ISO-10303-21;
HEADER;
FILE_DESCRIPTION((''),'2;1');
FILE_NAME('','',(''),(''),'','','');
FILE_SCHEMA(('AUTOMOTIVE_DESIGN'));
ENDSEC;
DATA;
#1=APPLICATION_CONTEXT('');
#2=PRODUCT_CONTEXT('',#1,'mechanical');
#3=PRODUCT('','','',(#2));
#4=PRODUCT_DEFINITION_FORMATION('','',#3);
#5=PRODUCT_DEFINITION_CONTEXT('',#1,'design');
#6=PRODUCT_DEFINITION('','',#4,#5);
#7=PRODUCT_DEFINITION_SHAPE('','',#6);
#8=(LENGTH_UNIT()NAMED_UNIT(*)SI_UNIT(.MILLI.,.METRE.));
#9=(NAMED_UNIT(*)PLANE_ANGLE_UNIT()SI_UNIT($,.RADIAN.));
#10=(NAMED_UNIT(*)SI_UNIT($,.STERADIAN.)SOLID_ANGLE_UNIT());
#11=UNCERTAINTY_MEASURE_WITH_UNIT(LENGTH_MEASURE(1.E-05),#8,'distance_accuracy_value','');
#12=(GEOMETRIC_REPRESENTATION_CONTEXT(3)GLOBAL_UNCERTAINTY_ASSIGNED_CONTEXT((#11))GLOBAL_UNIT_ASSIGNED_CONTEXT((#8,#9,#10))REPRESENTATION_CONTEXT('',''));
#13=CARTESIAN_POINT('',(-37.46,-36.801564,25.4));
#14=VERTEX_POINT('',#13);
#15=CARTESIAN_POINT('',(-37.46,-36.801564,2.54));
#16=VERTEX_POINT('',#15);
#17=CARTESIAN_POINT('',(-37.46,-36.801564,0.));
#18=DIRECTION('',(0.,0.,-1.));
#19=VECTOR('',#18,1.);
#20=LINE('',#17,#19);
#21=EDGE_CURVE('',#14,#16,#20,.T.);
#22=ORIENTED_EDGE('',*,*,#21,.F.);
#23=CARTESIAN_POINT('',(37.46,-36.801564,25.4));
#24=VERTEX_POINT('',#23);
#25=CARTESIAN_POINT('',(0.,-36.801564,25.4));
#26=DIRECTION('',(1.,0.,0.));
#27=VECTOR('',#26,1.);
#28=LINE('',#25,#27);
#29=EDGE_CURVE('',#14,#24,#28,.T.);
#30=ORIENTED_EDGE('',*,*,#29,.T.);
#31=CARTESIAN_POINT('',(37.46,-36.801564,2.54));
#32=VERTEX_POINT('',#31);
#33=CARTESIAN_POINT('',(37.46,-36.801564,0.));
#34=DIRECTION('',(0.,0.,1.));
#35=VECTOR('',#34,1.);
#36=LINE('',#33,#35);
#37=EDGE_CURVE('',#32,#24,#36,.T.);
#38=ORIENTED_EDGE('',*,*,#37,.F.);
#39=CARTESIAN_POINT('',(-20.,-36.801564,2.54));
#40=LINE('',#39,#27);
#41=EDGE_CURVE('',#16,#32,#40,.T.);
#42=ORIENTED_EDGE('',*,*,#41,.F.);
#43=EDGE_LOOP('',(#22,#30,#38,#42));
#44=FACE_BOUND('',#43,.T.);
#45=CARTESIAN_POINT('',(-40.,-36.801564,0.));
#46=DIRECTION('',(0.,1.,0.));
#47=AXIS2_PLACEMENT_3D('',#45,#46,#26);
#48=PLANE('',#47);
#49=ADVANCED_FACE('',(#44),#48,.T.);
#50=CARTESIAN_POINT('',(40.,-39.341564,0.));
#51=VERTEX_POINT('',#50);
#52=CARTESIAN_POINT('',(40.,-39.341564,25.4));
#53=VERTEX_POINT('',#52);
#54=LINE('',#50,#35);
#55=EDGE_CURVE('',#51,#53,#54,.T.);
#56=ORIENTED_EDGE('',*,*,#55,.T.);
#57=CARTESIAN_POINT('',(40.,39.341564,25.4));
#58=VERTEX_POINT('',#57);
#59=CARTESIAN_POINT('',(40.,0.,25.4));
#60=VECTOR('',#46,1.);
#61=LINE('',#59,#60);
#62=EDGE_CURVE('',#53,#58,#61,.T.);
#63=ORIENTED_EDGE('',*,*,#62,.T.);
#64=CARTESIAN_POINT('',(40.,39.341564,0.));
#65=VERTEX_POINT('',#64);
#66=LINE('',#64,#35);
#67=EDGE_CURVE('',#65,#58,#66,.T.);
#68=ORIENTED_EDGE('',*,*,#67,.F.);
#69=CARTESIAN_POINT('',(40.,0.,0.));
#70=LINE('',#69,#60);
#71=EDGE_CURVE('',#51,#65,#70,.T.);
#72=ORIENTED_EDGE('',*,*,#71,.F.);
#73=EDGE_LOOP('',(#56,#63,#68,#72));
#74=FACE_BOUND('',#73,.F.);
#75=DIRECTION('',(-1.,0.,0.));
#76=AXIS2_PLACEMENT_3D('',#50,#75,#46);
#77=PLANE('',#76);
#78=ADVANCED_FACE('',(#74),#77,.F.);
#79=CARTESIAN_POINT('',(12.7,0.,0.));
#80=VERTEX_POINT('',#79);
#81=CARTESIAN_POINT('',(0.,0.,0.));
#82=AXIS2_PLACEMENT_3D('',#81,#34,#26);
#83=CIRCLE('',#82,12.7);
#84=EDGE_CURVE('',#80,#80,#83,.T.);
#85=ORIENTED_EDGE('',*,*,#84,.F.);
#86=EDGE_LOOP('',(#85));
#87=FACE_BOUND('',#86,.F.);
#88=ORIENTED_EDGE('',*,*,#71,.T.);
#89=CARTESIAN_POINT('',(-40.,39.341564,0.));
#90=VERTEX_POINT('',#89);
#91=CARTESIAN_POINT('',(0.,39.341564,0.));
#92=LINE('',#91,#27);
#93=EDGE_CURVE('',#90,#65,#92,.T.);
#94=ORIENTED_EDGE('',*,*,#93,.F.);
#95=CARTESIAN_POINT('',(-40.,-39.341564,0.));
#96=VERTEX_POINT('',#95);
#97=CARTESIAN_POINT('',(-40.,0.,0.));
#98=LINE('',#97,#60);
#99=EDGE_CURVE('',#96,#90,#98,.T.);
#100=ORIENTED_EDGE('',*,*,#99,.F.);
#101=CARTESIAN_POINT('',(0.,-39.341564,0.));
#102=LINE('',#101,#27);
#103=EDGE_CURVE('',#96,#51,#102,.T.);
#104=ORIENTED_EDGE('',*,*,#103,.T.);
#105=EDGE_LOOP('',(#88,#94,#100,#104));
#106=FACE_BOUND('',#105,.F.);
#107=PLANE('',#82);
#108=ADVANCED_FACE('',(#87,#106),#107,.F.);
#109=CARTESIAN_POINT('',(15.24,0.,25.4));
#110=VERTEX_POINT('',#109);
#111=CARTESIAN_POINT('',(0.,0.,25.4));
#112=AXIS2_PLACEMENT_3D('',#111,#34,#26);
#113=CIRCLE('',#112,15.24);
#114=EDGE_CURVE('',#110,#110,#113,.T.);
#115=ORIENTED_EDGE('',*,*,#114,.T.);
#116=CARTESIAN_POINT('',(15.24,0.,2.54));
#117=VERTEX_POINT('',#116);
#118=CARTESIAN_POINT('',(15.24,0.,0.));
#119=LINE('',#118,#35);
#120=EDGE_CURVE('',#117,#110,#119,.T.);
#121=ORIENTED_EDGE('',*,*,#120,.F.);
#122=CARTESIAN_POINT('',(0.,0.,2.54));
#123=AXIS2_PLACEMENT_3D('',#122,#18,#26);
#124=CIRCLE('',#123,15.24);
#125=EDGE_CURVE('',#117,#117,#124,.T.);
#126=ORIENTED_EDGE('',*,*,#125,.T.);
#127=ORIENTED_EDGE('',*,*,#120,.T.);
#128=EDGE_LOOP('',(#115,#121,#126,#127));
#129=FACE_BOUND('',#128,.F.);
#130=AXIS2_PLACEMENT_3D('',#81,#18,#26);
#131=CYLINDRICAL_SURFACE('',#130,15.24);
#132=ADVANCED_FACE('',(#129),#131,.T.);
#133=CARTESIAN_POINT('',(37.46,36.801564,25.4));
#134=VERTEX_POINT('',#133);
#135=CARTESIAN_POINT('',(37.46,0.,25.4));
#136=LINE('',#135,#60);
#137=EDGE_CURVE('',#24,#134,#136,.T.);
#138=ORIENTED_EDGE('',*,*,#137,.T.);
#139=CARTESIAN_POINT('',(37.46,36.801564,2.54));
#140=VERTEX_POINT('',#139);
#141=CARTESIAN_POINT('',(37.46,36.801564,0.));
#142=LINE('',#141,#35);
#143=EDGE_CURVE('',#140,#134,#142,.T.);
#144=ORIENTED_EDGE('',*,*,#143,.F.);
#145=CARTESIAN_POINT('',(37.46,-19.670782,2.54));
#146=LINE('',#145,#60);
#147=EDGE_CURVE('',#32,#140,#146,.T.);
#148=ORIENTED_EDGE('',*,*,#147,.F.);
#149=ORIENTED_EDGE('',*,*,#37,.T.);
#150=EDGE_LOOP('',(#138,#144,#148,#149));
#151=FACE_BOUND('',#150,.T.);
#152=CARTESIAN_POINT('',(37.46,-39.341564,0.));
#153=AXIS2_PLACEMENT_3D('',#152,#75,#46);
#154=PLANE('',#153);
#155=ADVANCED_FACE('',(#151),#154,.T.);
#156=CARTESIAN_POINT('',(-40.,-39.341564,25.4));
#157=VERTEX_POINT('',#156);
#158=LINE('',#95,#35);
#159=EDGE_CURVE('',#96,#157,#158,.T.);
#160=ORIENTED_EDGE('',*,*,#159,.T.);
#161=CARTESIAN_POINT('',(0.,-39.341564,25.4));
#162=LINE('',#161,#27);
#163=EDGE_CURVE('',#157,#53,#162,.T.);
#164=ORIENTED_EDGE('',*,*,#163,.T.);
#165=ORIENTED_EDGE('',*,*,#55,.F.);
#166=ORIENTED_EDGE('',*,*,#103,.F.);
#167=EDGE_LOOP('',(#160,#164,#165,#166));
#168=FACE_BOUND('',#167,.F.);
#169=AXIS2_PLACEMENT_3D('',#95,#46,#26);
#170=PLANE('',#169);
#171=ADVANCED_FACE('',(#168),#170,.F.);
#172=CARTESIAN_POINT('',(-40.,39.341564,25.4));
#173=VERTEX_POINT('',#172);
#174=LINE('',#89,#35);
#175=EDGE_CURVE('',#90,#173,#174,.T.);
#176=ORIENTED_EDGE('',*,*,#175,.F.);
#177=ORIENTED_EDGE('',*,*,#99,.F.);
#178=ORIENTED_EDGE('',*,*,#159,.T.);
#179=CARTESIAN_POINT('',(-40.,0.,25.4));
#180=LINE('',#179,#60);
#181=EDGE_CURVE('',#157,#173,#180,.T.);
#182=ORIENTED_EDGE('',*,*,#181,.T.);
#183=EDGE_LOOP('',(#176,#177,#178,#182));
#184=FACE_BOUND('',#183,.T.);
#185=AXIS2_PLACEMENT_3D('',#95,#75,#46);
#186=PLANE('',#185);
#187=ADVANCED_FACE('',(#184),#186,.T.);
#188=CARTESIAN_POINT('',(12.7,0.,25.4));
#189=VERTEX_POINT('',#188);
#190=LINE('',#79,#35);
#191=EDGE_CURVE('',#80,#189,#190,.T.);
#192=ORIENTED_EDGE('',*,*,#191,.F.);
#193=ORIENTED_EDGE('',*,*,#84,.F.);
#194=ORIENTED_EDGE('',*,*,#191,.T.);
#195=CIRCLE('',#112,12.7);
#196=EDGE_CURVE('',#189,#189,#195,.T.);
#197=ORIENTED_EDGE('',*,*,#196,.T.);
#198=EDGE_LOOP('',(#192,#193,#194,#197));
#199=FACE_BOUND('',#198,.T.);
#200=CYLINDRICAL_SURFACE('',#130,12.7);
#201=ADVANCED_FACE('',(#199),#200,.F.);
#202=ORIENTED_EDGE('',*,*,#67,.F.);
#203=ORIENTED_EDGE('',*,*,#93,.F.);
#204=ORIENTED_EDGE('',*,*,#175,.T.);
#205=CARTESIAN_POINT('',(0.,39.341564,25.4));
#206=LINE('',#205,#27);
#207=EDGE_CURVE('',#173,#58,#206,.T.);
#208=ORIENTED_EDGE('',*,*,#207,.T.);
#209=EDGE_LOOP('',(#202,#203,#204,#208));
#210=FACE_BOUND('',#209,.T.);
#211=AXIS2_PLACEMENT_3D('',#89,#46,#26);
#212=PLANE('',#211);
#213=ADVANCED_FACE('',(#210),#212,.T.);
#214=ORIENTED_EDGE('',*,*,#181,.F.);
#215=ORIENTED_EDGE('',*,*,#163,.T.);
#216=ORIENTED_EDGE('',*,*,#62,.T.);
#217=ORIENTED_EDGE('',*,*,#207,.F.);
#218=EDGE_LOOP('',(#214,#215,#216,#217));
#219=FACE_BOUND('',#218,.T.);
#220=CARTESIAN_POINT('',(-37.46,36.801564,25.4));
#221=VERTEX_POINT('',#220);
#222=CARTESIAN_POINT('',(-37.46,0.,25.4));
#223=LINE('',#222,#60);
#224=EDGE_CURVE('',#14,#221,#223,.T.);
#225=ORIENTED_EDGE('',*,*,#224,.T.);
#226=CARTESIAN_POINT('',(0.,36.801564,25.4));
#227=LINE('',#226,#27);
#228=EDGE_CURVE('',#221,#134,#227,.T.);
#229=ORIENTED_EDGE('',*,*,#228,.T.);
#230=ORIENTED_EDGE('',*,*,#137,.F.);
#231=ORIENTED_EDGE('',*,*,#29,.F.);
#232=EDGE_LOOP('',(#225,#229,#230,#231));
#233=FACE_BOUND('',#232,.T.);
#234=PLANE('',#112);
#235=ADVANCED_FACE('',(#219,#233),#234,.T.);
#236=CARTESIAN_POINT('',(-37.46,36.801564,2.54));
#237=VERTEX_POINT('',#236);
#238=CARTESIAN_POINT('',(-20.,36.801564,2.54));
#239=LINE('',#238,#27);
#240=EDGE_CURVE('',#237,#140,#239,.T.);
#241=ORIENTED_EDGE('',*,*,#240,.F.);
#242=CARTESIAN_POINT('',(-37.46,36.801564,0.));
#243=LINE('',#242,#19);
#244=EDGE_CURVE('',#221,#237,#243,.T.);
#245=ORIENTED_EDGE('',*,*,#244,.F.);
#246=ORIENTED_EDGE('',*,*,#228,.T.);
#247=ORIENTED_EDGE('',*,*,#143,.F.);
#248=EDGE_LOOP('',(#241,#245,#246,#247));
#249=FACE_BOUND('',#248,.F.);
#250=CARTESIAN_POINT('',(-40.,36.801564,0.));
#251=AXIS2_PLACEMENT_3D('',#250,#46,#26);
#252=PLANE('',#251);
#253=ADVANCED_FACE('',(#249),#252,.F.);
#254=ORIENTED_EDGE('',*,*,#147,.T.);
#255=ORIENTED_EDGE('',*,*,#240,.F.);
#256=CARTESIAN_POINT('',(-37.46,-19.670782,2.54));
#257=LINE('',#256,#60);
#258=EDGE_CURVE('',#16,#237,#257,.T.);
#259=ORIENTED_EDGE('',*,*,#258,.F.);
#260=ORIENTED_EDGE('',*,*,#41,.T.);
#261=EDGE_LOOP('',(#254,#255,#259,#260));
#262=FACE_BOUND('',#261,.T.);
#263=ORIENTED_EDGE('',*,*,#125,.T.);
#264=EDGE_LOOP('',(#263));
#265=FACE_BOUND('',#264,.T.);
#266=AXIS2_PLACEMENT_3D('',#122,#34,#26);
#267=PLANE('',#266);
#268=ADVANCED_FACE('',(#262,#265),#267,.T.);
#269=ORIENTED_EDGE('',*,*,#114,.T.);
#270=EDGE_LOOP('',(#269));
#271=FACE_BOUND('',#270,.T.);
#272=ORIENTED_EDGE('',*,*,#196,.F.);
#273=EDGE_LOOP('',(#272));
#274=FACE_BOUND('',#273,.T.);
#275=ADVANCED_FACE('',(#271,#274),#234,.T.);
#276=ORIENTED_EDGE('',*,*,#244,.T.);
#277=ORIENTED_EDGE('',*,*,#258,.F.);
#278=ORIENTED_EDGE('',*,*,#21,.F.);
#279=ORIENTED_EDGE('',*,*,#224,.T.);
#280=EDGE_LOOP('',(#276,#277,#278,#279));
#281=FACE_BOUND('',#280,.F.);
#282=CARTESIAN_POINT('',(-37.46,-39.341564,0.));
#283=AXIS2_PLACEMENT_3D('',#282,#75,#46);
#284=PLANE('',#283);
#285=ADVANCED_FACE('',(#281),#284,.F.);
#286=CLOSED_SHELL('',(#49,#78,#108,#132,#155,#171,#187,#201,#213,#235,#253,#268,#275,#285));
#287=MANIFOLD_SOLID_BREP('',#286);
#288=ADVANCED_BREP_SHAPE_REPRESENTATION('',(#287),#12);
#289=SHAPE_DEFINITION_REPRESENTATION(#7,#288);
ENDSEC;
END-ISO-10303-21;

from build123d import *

# Parameters (mm, degrees)
F1_W     = 80
F1_H     = 78.6831277681
F1_R     = 12.7
F2_DEPTH = 25.4
F3_T     = -2.54


with BuildPart() as f2:
    # F1 (on face) → F2 (new body)
    with BuildSketch(Plane.XY):
        Rectangle(F1_W, F1_H)
        Circle(F1_R, mode=Mode.SUBTRACT)
    extrude(amount=F2_DEPTH)

    # F3
    f3_openings = [f2.faces().sort_by_distance(p)[0] for p in [
        (38.877902, 0, 25.4),
    ]]
    offset(amount=F3_T, openings=f3_openings)


solid = f2.part
